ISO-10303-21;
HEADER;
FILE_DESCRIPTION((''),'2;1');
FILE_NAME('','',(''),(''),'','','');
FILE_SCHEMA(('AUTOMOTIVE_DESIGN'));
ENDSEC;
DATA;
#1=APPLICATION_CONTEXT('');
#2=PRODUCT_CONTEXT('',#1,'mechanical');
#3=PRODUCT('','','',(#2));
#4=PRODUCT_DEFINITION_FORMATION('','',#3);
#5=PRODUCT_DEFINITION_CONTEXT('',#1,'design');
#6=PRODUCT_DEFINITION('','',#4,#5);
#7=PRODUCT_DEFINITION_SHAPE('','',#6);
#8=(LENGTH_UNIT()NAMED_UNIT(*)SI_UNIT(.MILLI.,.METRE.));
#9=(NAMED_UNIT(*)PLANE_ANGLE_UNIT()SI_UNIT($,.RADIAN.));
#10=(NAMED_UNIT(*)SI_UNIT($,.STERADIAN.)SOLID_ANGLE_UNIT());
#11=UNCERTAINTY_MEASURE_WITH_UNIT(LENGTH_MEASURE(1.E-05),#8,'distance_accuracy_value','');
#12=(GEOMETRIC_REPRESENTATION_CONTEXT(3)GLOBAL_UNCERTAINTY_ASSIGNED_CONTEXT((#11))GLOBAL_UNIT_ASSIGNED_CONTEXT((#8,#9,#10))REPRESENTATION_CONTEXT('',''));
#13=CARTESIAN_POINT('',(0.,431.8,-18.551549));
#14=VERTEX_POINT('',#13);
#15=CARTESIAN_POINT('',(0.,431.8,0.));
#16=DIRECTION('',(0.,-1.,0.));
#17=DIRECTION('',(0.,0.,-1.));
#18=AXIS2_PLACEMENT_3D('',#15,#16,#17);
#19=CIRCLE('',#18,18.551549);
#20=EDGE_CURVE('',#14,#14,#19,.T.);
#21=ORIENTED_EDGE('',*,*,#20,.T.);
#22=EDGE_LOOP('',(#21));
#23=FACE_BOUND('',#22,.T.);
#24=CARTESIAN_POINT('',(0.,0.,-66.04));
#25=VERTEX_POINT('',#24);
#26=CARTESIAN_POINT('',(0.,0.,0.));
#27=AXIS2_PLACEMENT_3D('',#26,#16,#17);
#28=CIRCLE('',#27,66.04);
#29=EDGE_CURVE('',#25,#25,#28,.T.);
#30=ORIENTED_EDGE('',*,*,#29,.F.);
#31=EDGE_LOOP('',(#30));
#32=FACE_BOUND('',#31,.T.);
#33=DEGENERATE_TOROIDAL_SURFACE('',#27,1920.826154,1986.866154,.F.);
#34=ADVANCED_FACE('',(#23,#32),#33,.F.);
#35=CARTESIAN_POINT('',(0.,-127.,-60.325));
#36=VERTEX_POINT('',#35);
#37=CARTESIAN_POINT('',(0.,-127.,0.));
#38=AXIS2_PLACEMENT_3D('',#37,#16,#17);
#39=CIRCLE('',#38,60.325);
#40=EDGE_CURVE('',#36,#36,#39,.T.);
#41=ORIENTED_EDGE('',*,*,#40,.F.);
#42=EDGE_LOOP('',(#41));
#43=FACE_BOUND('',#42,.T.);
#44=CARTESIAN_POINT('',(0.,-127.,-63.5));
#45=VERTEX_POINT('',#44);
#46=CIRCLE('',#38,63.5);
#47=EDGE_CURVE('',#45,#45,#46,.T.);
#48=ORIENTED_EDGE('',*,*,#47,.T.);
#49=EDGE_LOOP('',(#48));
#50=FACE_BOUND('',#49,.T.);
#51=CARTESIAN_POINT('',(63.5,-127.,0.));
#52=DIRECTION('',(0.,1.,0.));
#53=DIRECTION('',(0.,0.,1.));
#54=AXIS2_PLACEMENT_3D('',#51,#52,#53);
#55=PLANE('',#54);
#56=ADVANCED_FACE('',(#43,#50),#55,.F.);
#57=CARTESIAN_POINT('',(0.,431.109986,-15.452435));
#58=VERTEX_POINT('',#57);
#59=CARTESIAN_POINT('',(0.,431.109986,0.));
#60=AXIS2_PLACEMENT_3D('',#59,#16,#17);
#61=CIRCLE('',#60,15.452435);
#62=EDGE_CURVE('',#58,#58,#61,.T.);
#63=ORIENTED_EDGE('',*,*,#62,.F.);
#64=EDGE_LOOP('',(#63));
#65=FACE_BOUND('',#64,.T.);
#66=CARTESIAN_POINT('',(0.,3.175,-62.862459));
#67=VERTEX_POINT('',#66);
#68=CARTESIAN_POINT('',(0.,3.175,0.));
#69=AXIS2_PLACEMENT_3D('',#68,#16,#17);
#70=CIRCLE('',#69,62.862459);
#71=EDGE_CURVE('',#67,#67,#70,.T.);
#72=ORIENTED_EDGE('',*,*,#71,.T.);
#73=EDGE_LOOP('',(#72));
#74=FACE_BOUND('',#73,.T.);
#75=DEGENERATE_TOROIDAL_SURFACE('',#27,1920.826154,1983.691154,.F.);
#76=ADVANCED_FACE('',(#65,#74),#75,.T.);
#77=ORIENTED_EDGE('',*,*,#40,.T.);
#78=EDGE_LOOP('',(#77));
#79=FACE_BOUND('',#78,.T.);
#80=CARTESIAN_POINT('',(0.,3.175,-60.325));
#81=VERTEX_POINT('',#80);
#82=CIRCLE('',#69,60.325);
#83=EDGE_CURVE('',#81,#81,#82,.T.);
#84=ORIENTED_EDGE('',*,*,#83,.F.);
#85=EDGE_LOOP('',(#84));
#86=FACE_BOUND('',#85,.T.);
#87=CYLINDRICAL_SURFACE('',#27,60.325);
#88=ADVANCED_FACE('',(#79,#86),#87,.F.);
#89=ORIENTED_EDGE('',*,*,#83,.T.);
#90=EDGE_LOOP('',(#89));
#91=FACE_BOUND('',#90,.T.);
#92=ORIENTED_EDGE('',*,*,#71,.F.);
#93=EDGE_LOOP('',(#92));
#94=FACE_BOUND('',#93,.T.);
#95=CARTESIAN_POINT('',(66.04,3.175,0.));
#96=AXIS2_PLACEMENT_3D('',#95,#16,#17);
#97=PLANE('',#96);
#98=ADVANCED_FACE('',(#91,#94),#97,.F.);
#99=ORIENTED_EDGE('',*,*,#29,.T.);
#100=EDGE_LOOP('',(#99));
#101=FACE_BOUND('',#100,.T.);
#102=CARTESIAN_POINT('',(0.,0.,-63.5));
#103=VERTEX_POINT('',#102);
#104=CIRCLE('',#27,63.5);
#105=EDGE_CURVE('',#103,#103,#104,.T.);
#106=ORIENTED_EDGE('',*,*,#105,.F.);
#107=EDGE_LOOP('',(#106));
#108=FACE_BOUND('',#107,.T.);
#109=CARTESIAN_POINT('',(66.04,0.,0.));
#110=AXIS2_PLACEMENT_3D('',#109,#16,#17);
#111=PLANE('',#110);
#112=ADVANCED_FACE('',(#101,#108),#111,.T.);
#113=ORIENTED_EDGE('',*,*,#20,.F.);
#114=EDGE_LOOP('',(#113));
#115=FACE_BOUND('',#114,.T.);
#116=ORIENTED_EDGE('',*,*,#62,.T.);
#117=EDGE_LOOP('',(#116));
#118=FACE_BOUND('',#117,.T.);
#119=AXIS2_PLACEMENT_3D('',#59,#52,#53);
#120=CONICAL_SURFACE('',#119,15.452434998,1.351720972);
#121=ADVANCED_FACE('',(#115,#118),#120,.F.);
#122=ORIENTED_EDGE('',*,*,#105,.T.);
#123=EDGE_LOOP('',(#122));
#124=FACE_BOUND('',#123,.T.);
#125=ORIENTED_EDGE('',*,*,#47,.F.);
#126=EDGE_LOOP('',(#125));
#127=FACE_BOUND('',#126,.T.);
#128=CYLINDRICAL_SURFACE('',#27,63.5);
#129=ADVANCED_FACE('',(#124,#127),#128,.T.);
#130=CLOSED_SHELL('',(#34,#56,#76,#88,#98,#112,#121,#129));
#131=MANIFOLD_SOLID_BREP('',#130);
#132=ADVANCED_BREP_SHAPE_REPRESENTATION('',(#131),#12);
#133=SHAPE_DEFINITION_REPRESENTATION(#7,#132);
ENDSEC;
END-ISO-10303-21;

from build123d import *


with BuildPart() as part:
    # Sketch1 → Revolve-Thin3 (revolve)
    with BuildSketch(Plane.XY):
        with BuildLine():
            ThreePointArc((18.551548743, 431.8), (54.132203955, 217.201745506), (66.04, 0))
            Line((66.04, 0), (63.5, 0))
            Line((63.5, 0), (63.5, -127))
            Line((63.5, -127), (60.325, -127))
            Line((60.325, -127), (60.325, 3.175))
            Line((60.325, 3.175), (62.862459123, 3.175))
            ThreePointArc((62.862459123, 3.175), (50.80205754, 218.432575212), (15.452434998, 431.109986233))
            Line((15.452434998, 431.109986233), (18.551548743, 431.8))
        make_face()
    revolve(axis=Axis((0, 0, 0), (0, 1, 0)))


solid = part.part
